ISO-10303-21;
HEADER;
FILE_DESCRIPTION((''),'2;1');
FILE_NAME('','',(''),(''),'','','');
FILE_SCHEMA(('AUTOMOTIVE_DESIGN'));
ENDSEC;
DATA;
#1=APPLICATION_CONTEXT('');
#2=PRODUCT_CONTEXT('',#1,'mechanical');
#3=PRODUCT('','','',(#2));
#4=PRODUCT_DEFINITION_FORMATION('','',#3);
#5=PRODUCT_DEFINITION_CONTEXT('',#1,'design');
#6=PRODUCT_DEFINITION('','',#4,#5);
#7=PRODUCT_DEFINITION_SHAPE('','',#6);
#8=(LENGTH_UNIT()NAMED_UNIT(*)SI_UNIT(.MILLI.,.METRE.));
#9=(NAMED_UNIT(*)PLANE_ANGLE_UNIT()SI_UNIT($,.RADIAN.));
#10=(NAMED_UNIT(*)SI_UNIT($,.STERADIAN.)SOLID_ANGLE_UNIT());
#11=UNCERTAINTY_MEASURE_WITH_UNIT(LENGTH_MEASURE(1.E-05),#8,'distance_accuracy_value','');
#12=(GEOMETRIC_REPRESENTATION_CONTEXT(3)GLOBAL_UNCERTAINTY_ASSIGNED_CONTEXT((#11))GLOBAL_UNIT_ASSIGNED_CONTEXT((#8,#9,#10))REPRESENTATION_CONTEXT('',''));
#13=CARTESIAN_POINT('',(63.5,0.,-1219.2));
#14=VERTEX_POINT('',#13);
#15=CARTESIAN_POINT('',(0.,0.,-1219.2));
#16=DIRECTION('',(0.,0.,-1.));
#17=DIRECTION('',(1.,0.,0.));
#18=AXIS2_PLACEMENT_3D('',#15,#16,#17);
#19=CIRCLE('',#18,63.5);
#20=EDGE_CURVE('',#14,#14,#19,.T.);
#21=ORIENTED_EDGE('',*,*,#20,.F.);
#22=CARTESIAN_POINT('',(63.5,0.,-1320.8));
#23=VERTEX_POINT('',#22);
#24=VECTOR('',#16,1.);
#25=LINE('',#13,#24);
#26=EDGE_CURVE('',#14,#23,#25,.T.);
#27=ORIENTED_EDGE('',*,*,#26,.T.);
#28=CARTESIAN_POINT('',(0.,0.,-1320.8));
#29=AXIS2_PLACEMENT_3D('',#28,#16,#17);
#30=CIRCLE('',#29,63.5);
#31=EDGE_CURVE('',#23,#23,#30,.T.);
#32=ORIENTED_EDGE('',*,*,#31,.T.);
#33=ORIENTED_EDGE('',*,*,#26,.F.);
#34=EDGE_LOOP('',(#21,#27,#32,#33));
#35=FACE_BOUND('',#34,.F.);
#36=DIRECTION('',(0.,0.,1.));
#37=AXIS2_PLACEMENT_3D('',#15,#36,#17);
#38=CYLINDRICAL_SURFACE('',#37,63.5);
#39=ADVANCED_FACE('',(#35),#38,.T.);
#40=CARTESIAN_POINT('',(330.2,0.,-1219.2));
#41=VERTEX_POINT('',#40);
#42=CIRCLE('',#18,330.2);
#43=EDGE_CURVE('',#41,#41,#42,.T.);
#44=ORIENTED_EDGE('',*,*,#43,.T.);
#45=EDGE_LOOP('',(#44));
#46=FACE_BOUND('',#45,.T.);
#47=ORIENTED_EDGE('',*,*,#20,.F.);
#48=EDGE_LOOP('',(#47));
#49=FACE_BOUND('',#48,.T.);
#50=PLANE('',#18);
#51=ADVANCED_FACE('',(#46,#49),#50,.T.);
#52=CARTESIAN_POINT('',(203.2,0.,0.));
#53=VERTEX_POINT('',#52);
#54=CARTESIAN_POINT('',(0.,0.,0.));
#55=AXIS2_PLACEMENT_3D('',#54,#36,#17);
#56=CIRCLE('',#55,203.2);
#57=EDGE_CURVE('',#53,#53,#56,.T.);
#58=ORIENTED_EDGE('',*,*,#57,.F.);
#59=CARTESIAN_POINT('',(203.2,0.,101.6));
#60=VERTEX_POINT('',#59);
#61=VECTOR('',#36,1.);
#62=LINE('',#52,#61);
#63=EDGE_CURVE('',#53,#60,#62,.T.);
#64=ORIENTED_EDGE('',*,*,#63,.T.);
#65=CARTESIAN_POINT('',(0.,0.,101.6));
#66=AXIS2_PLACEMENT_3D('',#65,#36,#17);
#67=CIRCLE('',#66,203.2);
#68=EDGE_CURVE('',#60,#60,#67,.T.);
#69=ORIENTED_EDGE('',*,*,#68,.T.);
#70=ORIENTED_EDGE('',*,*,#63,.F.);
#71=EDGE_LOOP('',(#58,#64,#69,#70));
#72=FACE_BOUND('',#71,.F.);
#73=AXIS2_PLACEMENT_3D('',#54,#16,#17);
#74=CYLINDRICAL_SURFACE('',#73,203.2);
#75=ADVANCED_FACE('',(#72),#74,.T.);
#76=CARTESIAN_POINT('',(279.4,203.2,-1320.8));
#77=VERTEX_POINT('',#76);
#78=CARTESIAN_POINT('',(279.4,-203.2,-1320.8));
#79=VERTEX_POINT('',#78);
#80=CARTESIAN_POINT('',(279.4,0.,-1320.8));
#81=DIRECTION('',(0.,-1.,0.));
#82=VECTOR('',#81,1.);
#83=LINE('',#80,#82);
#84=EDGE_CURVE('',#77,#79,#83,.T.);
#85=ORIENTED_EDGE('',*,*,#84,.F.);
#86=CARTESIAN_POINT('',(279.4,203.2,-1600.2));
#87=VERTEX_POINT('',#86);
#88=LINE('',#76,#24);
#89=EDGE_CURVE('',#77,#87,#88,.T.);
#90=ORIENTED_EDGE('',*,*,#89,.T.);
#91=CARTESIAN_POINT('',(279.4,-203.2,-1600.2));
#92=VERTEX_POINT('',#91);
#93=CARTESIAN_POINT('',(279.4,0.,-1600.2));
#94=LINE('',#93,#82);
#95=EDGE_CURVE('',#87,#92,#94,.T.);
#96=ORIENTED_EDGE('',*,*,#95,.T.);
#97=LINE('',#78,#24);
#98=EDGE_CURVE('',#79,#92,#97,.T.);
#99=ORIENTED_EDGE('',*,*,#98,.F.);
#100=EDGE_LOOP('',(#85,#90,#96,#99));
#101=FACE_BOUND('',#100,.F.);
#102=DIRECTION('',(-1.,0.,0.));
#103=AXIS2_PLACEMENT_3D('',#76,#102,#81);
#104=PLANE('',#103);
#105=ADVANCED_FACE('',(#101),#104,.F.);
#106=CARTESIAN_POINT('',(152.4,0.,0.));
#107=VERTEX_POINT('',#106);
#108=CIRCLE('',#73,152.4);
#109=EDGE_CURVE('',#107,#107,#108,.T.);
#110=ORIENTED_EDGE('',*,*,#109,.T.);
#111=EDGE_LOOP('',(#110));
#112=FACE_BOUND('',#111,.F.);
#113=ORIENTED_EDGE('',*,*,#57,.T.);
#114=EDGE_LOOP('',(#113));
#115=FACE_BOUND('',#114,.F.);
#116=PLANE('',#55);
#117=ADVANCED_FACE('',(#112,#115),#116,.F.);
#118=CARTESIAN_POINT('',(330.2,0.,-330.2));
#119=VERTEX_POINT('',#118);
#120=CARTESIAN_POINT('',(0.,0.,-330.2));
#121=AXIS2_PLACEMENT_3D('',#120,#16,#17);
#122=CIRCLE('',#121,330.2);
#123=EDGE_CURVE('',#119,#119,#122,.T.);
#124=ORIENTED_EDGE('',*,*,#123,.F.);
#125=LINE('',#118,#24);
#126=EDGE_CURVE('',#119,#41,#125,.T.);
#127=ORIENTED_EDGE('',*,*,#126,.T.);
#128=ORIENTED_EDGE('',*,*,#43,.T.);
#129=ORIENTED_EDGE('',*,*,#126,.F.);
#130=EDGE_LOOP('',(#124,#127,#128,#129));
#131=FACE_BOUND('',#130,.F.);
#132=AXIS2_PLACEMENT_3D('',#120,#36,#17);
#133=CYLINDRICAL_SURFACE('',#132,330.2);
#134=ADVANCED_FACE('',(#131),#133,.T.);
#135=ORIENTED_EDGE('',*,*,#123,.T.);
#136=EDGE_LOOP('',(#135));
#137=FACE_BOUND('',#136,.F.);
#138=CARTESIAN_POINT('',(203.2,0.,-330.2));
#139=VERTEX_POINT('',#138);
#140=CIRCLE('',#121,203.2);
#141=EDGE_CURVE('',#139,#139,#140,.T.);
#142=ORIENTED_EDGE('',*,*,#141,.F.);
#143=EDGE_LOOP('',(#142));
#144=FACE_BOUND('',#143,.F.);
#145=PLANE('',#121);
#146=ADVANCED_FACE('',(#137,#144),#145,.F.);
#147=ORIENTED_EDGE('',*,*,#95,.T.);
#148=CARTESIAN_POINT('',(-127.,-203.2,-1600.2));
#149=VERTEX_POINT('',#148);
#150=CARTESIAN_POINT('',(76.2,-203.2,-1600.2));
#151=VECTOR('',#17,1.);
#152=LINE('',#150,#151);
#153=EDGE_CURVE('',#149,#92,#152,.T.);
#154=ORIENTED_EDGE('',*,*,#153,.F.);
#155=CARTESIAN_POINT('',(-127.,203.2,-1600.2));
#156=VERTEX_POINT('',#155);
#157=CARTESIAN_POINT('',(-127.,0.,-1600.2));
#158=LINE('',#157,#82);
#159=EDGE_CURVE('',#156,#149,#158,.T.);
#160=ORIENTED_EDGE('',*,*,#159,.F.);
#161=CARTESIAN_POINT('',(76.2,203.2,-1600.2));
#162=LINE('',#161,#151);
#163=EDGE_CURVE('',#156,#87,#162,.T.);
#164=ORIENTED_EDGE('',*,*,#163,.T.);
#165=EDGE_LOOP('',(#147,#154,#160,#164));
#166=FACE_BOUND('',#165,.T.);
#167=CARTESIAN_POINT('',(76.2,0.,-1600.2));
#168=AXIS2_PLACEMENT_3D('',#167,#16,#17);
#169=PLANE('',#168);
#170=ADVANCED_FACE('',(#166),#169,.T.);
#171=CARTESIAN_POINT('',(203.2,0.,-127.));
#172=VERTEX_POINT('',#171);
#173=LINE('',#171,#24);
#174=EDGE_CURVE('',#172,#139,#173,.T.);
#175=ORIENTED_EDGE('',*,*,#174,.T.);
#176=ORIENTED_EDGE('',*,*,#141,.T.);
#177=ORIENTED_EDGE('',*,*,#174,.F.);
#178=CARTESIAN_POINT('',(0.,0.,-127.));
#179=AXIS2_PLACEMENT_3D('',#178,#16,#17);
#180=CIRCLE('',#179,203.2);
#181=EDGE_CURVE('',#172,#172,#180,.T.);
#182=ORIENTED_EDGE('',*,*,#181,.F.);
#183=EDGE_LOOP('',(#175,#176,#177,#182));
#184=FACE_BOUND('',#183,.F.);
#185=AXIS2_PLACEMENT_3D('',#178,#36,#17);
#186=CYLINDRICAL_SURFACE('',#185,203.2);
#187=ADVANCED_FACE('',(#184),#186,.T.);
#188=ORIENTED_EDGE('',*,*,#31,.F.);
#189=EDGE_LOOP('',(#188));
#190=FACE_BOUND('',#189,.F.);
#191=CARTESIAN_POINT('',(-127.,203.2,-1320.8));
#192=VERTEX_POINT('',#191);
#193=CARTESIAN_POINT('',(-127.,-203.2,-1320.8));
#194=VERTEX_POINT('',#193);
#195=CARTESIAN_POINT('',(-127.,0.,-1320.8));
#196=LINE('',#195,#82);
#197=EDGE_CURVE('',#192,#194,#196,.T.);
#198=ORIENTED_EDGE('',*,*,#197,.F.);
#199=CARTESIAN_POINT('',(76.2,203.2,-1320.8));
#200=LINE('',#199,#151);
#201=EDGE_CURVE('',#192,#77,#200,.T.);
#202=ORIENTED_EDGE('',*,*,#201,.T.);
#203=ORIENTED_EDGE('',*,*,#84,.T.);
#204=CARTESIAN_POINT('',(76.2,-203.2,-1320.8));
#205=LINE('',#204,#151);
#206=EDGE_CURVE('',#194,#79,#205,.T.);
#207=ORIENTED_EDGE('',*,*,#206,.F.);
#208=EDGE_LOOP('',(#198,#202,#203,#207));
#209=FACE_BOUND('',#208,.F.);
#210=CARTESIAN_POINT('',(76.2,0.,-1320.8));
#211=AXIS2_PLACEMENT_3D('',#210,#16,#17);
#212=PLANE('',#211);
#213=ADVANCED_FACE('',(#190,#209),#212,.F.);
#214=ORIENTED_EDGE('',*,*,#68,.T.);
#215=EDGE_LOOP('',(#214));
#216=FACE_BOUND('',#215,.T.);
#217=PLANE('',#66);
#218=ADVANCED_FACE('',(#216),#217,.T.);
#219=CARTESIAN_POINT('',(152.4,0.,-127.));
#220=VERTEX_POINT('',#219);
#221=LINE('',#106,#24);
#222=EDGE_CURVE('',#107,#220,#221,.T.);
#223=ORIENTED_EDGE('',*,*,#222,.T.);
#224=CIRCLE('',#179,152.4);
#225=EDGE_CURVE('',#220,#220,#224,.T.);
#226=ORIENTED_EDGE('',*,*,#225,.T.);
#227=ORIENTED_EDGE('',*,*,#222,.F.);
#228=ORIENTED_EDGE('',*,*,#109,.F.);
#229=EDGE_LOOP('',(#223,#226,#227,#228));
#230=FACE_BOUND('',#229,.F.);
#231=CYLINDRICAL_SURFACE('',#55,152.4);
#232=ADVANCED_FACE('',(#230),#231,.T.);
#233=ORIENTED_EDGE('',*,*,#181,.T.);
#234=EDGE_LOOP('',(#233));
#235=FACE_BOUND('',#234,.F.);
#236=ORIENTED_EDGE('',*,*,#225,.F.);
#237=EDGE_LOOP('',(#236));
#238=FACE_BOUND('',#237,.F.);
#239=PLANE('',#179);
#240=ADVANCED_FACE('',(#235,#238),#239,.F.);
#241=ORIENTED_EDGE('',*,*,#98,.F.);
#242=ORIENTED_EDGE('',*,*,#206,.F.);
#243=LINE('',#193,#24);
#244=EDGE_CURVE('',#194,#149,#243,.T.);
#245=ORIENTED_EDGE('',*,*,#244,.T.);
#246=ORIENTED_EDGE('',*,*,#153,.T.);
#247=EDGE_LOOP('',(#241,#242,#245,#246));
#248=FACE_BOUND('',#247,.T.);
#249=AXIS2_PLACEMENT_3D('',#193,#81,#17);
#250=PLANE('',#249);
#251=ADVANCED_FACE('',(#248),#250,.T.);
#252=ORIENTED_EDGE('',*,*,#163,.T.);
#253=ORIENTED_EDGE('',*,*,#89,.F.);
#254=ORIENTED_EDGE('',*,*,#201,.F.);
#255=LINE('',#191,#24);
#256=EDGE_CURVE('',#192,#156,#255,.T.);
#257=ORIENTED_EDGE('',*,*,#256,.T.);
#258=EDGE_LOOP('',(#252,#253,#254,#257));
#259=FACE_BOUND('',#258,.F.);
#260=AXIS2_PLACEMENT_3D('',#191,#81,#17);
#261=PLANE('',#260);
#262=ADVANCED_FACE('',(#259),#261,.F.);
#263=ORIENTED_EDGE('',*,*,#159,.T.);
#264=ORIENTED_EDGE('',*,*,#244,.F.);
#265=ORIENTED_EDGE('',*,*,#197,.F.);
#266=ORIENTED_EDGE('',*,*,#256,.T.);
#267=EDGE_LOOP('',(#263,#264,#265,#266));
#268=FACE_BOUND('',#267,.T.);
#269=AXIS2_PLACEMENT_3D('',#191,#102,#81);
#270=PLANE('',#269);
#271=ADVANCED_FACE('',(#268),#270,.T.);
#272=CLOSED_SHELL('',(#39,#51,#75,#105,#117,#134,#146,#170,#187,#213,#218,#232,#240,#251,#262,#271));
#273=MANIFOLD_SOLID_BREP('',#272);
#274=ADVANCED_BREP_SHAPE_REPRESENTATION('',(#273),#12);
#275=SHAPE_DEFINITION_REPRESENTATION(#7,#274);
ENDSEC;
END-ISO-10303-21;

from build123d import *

# Parameters (mm, degrees)
F0_R      = 203.2
F1_DEPTH  = 101.6
F2_R      = 152.4
F3_DEPTH  = 127
F4_R      = 203.2
F5_DEPTH  = 203.2
F6_R      = 330.2
F7_DEPTH  = 889
F8_R      = 63.5
F9_DEPTH  = 101.6
F10_W     = 406.4
F10_H     = 406.4
F10_R     = 63.5
F11_DEPTH = 279.4


with BuildPart() as f1:
    # F0 (on Top) → F1 (new body)
    with BuildSketch(Plane.XY):
        Circle(F0_R)
    extrude(amount=F1_DEPTH)

    # F2 (on face) → F3 (join)
    with BuildSketch(Plane(origin=(0, 0, 0), x_dir=(1, 0, 0), z_dir=(0, 0, -1))):
        Circle(F2_R)
    extrude(amount=F3_DEPTH)

    # F4 (on face) → F5 (join)
    with BuildSketch(Plane(origin=(0, 0, -127), x_dir=(1, 0, 0), z_dir=(0, 0, -1))):
        Circle(F4_R)
    extrude(amount=F5_DEPTH)

    # F6 (on face) → F7 (join)
    with BuildSketch(Plane(origin=(0, 0, -330.2), x_dir=(1, 0, 0), z_dir=(0, 0, -1))):
        Circle(F6_R)
    extrude(amount=F7_DEPTH)

    # F8 (on face) → F9 (join)
    with BuildSketch(Plane(origin=(0, 0, -1219.2), x_dir=(1, 0, 0), z_dir=(0, 0, -1))):
        Circle(F8_R)
    extrude(amount=F9_DEPTH)

    # F10 (on face) → F11 (join)
    with BuildSketch(Plane(origin=(0, 0, -1320.8), x_dir=(1, 0, 0), z_dir=(0, 0, -1))):
        with Locations((76.2, 0)):
            Rectangle(F10_W, F10_H)
        Circle(F10_R, mode=Mode.SUBTRACT)
        Circle(F10_R)
    extrude(amount=F11_DEPTH)


solid = f1.part
